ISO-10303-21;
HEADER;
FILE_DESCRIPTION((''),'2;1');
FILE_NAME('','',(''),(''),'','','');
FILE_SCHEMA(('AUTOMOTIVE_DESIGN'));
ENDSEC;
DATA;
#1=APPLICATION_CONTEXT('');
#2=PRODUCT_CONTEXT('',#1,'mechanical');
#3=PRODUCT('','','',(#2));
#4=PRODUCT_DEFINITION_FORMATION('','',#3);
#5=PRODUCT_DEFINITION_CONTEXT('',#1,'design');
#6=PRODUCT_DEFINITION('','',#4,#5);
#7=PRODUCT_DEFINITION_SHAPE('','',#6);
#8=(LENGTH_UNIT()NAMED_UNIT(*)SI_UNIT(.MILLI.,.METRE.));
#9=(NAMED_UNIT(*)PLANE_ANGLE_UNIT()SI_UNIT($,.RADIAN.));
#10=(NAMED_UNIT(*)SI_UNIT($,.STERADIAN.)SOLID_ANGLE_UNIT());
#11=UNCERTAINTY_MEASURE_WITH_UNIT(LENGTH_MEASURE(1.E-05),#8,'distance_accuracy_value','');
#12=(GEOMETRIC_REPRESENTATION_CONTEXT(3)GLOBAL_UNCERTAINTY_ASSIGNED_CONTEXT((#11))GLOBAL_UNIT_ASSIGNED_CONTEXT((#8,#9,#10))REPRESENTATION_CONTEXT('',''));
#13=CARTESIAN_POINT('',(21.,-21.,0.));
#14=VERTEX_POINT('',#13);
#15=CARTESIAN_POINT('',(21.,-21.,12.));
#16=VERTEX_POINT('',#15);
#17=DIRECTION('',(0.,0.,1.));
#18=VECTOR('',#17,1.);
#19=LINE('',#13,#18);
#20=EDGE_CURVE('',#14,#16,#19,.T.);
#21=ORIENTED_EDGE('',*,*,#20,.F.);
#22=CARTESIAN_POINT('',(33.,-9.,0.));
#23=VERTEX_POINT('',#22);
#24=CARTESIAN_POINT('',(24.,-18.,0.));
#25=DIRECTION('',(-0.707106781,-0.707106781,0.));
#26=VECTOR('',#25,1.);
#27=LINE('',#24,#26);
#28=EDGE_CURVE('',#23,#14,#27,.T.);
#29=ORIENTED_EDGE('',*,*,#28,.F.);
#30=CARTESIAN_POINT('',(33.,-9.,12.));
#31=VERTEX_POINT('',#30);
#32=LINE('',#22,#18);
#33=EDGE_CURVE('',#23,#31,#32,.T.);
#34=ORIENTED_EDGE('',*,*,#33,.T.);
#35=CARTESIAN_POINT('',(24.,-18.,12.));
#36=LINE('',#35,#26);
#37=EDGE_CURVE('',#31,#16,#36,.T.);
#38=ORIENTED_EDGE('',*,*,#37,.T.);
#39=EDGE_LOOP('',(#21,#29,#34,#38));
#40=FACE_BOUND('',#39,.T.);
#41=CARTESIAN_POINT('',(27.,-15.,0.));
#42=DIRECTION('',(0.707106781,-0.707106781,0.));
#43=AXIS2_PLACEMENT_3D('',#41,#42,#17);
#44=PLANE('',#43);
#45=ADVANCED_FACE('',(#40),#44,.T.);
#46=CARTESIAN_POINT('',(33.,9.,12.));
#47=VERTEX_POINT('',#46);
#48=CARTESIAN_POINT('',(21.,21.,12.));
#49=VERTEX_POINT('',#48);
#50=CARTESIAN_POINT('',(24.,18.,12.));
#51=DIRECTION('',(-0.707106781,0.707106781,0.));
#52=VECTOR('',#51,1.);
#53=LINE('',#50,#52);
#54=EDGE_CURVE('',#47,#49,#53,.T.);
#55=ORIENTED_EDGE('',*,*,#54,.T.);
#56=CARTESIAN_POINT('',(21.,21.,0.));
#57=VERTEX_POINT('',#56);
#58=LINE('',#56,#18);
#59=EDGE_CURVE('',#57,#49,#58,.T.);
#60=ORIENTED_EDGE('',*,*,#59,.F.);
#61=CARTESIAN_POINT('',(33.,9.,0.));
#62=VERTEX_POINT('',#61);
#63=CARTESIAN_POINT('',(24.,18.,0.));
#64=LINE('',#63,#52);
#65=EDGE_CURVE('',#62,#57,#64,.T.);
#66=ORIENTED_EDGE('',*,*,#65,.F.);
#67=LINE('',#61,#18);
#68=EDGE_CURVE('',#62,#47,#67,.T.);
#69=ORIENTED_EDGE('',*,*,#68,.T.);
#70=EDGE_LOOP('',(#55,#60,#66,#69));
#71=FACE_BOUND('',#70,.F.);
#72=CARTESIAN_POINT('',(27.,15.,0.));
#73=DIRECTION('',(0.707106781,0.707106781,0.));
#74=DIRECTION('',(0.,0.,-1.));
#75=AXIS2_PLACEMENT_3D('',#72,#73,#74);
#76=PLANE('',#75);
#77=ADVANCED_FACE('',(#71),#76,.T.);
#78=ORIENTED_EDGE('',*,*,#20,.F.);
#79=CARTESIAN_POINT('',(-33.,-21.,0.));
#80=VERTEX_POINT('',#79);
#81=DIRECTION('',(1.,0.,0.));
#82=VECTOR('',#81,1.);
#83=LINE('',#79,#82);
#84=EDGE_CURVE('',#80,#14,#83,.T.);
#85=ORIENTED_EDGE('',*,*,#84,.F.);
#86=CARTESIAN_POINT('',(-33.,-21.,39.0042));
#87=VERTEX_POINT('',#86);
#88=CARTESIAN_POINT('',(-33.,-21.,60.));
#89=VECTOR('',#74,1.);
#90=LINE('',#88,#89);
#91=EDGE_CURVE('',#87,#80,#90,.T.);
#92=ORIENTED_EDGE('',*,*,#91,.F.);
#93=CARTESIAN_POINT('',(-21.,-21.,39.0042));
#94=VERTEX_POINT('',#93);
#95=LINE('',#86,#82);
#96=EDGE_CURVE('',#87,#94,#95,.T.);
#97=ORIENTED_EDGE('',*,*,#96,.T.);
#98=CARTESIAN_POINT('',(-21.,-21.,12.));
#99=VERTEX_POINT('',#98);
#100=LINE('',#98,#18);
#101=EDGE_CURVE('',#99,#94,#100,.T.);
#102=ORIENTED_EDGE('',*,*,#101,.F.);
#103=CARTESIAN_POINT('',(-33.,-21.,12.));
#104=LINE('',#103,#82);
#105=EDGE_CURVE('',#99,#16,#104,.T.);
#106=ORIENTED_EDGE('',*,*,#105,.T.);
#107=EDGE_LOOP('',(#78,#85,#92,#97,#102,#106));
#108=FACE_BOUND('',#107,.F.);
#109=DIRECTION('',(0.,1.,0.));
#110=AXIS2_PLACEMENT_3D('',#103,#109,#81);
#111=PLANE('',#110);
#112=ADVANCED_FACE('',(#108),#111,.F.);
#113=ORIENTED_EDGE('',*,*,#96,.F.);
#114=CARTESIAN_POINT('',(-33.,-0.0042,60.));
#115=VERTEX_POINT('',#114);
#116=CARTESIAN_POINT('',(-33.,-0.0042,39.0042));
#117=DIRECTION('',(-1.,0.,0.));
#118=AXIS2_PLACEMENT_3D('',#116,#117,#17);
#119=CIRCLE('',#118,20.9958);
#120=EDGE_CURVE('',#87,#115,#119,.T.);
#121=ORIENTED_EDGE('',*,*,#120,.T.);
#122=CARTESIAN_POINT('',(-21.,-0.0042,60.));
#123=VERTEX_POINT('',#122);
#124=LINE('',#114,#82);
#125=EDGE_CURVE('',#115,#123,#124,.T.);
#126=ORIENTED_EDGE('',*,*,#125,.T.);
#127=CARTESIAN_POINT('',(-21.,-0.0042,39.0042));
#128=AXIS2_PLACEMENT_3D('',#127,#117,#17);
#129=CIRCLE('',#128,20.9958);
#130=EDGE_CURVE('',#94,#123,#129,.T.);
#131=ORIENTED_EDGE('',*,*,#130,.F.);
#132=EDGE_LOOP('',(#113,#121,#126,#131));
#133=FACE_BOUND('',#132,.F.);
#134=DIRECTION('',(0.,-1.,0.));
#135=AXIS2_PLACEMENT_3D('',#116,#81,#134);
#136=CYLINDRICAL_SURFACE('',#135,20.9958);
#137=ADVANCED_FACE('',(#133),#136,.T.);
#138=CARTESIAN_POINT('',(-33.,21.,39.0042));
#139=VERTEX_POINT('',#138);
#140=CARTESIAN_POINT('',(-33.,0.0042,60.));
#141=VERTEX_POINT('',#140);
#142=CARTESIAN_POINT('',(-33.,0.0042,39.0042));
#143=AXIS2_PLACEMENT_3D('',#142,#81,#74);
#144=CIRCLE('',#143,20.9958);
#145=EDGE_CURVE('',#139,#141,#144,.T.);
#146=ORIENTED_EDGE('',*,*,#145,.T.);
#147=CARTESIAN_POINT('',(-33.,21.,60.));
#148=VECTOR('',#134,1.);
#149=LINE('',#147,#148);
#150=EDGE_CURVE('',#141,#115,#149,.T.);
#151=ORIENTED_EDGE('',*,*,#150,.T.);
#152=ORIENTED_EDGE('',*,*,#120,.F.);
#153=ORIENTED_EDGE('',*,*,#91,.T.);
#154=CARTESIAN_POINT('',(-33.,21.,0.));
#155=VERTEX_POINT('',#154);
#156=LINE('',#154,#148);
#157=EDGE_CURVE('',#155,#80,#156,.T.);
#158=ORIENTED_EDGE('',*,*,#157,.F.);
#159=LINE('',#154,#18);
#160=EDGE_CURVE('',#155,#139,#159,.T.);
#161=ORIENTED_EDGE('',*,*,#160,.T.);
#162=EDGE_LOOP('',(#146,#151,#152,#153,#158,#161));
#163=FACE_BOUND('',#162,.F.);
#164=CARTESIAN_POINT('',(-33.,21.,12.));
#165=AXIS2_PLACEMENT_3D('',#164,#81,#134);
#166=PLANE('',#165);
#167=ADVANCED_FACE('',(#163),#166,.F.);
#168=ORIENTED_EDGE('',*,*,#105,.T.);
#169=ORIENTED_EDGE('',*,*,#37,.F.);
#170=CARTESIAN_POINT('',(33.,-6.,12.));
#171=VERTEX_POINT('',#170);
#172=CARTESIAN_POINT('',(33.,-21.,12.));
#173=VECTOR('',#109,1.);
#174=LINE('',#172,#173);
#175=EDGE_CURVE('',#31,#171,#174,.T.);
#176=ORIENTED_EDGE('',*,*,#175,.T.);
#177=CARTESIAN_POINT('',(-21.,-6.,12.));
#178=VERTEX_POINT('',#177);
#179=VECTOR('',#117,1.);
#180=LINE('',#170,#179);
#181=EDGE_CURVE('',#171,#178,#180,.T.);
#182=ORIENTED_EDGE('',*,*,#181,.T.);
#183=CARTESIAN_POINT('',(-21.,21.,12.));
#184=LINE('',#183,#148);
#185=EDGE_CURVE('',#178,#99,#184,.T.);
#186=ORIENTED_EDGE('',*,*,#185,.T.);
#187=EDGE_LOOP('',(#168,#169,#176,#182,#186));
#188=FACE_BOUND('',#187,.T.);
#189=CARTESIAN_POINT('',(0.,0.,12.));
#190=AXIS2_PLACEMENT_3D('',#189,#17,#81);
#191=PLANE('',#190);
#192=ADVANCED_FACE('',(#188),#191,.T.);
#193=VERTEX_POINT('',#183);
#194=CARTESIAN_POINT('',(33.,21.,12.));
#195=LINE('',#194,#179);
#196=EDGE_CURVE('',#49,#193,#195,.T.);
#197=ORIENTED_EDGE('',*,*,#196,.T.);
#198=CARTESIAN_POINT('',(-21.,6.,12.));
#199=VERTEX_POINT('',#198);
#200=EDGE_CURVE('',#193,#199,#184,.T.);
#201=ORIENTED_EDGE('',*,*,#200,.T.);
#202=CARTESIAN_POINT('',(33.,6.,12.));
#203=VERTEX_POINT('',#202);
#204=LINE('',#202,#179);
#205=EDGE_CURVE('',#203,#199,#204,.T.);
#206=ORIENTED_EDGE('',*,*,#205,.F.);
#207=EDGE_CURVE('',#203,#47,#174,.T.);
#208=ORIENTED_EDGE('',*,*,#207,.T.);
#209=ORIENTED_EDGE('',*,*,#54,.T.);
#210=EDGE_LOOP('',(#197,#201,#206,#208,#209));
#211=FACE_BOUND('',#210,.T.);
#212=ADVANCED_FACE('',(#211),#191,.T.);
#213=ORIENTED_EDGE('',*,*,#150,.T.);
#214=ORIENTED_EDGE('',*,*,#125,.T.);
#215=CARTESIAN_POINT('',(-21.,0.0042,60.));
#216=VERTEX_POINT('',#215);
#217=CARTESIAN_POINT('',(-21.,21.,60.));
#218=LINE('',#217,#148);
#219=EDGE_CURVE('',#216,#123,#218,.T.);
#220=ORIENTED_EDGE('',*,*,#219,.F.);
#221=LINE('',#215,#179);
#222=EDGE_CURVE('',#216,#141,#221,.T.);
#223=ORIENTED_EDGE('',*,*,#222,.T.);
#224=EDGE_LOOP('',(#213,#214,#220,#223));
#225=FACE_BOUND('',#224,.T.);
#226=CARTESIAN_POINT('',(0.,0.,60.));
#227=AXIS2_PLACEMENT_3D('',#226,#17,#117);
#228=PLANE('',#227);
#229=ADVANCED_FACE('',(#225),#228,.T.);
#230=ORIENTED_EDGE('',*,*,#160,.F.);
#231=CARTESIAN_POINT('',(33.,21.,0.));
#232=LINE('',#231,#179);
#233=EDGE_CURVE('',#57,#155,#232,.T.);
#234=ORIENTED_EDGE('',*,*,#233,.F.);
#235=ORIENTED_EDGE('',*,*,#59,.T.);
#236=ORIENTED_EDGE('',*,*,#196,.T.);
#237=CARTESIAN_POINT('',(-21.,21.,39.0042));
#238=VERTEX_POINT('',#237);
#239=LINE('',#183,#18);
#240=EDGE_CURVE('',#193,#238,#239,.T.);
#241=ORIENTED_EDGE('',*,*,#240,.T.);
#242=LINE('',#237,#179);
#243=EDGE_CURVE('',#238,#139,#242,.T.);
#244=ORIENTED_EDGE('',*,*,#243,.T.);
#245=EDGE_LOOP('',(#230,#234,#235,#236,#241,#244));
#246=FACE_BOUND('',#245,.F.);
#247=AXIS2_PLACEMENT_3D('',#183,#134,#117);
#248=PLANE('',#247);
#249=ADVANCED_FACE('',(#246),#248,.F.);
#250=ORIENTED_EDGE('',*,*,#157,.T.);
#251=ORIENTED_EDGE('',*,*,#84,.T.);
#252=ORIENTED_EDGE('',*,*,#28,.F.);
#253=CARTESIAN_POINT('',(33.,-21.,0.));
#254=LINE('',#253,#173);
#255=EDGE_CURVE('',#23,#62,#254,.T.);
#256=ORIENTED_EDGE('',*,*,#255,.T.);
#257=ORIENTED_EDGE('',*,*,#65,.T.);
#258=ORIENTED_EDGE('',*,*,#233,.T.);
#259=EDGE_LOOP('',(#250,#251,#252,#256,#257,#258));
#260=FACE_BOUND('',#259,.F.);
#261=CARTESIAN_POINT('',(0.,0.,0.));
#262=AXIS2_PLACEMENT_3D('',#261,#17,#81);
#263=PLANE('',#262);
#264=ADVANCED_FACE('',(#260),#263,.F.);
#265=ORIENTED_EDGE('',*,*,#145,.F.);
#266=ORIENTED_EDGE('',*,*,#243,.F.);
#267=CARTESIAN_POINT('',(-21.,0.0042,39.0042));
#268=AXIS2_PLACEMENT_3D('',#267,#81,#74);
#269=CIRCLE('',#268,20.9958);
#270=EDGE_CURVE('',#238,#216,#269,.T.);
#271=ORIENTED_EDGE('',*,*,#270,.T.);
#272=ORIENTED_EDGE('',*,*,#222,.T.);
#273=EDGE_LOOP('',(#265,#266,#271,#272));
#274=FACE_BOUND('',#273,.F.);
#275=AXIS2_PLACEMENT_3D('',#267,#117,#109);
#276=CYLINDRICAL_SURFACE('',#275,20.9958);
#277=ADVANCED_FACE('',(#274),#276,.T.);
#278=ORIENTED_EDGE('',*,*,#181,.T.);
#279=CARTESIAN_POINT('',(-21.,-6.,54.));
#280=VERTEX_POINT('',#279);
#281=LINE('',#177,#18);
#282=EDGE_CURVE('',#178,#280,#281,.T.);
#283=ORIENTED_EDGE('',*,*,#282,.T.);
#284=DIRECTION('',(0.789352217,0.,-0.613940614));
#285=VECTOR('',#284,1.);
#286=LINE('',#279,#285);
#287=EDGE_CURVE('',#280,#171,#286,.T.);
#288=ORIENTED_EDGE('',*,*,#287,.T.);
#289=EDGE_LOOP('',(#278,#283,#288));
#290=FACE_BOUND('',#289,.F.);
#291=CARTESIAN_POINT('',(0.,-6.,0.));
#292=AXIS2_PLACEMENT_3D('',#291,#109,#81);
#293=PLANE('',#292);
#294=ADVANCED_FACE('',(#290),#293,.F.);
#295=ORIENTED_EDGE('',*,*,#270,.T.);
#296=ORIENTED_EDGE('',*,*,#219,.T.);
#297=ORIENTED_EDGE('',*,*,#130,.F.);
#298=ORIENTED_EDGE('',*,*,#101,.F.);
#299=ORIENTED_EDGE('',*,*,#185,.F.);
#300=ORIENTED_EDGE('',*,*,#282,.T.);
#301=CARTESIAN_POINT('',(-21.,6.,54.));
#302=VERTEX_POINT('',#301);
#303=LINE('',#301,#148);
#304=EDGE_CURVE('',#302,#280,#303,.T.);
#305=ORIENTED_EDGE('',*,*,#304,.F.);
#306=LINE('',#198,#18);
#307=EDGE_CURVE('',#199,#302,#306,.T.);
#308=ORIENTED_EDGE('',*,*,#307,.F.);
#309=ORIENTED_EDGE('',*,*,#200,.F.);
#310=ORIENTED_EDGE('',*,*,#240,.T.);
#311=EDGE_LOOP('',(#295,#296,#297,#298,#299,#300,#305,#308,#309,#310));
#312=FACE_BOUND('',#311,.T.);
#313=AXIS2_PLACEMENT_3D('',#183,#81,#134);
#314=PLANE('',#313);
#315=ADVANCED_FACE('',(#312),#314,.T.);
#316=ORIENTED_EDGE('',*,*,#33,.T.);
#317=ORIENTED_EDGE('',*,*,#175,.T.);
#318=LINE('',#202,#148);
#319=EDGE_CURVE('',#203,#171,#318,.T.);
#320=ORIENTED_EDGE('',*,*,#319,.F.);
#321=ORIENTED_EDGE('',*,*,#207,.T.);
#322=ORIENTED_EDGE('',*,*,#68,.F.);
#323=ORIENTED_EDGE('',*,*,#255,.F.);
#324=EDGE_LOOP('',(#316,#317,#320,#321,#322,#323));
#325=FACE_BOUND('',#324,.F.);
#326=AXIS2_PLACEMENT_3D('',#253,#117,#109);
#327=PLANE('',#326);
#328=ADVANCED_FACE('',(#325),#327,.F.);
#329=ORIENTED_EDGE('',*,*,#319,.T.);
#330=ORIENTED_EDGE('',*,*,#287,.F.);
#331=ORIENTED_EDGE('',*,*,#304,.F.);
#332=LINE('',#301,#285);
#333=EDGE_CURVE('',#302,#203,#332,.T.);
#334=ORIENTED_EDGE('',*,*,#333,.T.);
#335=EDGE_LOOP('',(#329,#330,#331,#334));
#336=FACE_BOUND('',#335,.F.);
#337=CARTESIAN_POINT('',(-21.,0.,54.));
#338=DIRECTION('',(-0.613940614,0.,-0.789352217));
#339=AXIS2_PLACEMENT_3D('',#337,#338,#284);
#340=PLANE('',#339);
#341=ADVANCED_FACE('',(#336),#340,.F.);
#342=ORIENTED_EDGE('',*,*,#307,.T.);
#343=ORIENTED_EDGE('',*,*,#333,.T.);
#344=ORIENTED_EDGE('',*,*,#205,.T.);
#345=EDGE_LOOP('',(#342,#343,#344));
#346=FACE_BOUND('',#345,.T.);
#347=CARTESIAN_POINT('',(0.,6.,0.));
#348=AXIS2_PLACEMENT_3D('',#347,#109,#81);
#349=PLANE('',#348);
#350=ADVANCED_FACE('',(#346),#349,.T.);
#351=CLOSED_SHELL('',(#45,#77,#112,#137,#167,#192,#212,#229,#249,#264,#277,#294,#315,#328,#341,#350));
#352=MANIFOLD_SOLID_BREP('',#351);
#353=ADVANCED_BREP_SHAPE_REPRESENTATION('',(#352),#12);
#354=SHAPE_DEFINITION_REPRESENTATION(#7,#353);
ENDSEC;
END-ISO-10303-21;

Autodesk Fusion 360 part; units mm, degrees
sketch "Sketch1" plane through (0, 0, 0) normal (0, 0, 1) x (1, 0, 0)
sketch "Sketch2" plane through (0, 0, 0) normal (0, 0, 1) x (1, 0, 0)
  line L0 (33, 21) -> (-33, 21)
  line L1 (-33, 21) -> (-33, -21)
  line L2 (-33, -21) -> (33, -21)
  line L3 (33, -21) -> (33, 21)
  line L4 (33, 21) -> (-33, -21) construction
  line L5 (-33, 21) -> (33, -21) construction
  dimension "d1" = 66
  dimension "d2" = 42
extrude "Extrude1" add sketch "Sketch2" along normal blind 12
chamfer "Chamfer1" distance 12 angle 45 2 edges at (33, -21, 6) (33, 21, 6)
sketch "Sketch3" plane through (0, 0, 12) normal (0, 0, 1) x (-1, 0, 0)
  line L0 (-33, -9) -> (-21, -21)
  line L1 (-21, -21) -> (33, -21)
  line L2 (33, -21) -> (33, 21)
  line L3 (33, 21) -> (-21, 21)
  line L4 (-21, 21) -> (-33, 9)
  line L5 (-33, 9) -> (-33, -9)
  line L6 (33, -21) -> (21, -21)
  line L7 (21, -21) -> (21, 21)
  line L8 (21, 21) -> (33, 21)
  line L9 (33, 21) -> (33, -21)
  dimension "d6" = 12
extrude "Extrude2" add sketch "Sketch3" along normal blind 48 contours L1 L2 L3 L6 L7 L8 L9
fillet "Fillet1" radius 21 2 edges at (-27, -21, 60) (-27, 21, 60)
sketch "Sketch5" plane through (0, 0, 0) normal (0, 1, 0) x (1, 0, 0)
  line L0 (-21, -12) -> (-21, -54)
  line L1 (-21, -54) -> (33, -12)
  line L2 (33, -12) -> (-21, -12)
  dimension "d12" = 42
extrude "Extrude3" add sketch "Sketch5" along normal mid plane 12
equation "d7 = 60 mm - 12 mm"
